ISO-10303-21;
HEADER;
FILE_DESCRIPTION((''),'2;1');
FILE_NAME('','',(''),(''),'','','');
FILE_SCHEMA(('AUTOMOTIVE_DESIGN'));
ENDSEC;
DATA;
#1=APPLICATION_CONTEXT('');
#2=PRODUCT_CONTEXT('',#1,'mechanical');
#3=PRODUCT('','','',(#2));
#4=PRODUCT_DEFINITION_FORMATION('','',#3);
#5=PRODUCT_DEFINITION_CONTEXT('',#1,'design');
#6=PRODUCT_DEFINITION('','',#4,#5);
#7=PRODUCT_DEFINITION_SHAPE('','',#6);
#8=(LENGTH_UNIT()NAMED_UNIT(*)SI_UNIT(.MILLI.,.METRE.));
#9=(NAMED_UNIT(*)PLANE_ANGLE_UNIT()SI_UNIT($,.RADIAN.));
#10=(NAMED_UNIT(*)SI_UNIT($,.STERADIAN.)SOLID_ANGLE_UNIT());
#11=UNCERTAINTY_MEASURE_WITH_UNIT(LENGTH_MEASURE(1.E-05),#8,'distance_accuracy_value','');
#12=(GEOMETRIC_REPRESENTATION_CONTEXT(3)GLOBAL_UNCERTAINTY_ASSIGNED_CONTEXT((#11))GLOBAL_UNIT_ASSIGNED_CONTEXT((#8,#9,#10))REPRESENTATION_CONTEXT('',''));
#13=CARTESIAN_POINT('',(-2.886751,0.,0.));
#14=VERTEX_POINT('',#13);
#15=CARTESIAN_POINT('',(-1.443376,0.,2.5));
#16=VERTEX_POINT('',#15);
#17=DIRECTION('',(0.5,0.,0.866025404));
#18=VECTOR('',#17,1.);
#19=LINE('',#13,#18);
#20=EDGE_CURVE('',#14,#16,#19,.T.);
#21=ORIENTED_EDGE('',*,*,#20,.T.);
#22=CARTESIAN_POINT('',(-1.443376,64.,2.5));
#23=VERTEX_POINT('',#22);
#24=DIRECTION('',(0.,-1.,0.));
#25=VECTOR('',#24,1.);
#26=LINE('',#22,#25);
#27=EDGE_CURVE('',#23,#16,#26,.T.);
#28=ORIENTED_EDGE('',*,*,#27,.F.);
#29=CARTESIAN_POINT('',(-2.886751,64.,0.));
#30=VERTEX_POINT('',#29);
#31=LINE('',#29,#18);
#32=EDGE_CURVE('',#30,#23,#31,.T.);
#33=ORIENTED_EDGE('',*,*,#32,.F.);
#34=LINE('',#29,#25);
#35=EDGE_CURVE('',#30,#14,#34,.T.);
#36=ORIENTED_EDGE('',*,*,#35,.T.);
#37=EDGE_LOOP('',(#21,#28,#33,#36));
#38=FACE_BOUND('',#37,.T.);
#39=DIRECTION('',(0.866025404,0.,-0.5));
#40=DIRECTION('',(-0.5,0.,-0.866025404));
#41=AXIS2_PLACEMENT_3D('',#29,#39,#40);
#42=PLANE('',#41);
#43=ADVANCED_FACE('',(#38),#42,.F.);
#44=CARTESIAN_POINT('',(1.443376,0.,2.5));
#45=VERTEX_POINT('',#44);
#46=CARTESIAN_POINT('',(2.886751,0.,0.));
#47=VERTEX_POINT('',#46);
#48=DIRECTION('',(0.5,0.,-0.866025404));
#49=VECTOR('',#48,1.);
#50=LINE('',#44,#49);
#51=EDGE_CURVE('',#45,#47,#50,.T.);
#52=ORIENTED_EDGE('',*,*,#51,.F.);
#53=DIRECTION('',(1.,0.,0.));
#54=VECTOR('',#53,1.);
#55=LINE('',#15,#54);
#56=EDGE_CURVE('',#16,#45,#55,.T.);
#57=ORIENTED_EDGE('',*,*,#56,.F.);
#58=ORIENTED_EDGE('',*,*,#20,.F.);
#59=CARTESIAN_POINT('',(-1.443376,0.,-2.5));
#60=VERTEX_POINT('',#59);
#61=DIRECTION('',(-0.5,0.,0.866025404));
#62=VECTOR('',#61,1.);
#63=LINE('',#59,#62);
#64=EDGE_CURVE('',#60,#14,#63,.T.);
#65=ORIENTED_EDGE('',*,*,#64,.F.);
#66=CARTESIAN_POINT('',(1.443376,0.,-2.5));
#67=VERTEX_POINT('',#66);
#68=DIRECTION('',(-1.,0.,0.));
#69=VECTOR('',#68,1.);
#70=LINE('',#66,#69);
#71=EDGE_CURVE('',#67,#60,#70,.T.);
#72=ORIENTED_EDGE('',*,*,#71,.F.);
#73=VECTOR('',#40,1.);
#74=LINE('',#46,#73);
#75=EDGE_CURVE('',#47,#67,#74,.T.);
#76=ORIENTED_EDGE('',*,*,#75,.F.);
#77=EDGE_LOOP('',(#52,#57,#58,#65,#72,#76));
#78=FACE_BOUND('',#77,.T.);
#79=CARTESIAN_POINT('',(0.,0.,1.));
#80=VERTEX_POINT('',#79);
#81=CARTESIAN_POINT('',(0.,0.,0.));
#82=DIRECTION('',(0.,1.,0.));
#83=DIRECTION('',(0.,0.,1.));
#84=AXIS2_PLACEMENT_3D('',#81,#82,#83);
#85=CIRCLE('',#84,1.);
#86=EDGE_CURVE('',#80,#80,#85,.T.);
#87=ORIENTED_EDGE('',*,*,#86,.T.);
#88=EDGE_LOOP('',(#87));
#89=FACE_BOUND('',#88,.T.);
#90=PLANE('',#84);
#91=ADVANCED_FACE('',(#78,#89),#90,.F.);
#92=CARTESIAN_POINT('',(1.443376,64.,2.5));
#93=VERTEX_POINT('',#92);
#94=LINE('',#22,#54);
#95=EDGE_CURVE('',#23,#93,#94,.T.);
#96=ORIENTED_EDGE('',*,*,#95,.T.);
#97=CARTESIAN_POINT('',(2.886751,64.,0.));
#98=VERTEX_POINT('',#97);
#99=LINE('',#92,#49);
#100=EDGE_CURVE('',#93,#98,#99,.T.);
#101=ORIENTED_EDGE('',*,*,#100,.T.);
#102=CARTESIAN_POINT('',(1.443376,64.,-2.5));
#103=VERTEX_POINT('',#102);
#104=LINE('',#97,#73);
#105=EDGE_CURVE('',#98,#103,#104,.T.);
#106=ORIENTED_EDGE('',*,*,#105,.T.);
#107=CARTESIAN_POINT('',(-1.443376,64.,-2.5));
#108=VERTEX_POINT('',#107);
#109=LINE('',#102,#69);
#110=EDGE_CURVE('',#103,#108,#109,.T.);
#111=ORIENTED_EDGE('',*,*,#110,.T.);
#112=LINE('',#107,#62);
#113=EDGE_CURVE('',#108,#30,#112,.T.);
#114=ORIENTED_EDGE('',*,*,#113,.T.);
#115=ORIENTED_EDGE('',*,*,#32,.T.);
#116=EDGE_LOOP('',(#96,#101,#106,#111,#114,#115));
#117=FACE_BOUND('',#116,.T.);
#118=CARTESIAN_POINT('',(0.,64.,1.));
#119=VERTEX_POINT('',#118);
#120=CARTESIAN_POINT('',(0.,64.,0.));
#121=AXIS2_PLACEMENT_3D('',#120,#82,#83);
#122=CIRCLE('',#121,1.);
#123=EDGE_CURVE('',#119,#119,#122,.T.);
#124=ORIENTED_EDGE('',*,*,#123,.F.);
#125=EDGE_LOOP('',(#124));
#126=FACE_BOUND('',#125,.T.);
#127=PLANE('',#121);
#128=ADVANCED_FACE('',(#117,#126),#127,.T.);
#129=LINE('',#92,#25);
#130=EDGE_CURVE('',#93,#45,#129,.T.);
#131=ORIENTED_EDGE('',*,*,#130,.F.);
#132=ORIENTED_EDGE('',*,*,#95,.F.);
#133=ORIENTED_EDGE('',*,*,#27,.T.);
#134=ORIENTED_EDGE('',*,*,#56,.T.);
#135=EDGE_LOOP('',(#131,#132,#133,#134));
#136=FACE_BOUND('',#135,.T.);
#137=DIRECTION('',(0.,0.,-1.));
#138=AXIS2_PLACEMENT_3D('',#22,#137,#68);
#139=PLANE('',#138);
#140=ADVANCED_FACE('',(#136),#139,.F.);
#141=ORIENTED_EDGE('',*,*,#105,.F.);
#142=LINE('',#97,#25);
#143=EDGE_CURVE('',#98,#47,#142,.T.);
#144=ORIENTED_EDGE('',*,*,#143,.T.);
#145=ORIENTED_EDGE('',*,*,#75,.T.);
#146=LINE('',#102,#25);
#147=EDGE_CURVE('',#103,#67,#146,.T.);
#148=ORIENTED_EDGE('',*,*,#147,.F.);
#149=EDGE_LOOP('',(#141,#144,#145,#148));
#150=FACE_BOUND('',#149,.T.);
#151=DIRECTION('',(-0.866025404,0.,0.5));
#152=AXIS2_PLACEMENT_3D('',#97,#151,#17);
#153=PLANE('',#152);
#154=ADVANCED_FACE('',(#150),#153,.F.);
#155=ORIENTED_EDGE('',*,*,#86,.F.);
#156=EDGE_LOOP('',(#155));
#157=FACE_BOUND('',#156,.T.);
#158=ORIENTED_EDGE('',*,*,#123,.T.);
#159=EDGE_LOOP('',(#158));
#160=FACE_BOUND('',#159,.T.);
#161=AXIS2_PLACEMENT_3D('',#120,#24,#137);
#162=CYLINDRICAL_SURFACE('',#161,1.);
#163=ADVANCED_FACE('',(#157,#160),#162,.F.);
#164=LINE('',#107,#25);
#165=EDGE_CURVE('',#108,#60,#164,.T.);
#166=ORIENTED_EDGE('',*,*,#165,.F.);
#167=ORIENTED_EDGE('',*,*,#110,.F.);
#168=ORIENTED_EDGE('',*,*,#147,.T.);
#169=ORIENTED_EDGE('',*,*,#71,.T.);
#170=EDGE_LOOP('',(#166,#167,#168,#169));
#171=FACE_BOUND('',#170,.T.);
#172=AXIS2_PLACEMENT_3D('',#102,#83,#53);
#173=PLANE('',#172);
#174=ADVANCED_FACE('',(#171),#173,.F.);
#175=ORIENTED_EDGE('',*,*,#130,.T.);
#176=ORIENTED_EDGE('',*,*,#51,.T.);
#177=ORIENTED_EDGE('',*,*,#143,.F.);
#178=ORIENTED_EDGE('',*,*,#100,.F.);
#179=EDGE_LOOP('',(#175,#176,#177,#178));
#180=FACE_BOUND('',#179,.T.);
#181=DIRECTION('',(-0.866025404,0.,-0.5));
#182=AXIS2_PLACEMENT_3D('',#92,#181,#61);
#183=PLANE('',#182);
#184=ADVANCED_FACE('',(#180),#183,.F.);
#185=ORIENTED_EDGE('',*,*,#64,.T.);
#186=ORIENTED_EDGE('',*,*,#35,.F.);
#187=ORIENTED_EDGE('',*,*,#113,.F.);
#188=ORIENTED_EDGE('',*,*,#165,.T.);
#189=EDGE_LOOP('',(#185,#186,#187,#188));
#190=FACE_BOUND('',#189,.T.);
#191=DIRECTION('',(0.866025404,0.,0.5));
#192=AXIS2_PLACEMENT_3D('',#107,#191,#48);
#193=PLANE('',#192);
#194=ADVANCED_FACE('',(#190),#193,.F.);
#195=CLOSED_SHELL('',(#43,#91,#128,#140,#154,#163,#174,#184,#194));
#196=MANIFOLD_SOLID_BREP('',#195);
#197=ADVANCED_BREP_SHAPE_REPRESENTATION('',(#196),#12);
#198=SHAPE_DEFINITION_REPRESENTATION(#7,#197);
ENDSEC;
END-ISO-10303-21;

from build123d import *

# Parameters (mm, degrees)
SKETCH_1_R      = 1
EXTRUDE_1_DEPTH = 64


with BuildPart() as part:
    # 草图1 → 凸台-拉伸1 (new body)
    with BuildSketch(Plane(origin=(0, 0, 0), x_dir=(1, 0, 0), z_dir=(0, 1, 0))):
        Polygon((2.886751346, 0), (1.443375673, 2.5), (-1.443375673, 2.5), (-2.886751346, 0), (-1.443375673, -2.5), (1.443375673, -2.5), align=None)
        with Locations(Location((0, 0, 0), (0, 0, 270))):
            Circle(SKETCH_1_R, mode=Mode.SUBTRACT)
    extrude(amount=EXTRUDE_1_DEPTH)


solid = part.part
